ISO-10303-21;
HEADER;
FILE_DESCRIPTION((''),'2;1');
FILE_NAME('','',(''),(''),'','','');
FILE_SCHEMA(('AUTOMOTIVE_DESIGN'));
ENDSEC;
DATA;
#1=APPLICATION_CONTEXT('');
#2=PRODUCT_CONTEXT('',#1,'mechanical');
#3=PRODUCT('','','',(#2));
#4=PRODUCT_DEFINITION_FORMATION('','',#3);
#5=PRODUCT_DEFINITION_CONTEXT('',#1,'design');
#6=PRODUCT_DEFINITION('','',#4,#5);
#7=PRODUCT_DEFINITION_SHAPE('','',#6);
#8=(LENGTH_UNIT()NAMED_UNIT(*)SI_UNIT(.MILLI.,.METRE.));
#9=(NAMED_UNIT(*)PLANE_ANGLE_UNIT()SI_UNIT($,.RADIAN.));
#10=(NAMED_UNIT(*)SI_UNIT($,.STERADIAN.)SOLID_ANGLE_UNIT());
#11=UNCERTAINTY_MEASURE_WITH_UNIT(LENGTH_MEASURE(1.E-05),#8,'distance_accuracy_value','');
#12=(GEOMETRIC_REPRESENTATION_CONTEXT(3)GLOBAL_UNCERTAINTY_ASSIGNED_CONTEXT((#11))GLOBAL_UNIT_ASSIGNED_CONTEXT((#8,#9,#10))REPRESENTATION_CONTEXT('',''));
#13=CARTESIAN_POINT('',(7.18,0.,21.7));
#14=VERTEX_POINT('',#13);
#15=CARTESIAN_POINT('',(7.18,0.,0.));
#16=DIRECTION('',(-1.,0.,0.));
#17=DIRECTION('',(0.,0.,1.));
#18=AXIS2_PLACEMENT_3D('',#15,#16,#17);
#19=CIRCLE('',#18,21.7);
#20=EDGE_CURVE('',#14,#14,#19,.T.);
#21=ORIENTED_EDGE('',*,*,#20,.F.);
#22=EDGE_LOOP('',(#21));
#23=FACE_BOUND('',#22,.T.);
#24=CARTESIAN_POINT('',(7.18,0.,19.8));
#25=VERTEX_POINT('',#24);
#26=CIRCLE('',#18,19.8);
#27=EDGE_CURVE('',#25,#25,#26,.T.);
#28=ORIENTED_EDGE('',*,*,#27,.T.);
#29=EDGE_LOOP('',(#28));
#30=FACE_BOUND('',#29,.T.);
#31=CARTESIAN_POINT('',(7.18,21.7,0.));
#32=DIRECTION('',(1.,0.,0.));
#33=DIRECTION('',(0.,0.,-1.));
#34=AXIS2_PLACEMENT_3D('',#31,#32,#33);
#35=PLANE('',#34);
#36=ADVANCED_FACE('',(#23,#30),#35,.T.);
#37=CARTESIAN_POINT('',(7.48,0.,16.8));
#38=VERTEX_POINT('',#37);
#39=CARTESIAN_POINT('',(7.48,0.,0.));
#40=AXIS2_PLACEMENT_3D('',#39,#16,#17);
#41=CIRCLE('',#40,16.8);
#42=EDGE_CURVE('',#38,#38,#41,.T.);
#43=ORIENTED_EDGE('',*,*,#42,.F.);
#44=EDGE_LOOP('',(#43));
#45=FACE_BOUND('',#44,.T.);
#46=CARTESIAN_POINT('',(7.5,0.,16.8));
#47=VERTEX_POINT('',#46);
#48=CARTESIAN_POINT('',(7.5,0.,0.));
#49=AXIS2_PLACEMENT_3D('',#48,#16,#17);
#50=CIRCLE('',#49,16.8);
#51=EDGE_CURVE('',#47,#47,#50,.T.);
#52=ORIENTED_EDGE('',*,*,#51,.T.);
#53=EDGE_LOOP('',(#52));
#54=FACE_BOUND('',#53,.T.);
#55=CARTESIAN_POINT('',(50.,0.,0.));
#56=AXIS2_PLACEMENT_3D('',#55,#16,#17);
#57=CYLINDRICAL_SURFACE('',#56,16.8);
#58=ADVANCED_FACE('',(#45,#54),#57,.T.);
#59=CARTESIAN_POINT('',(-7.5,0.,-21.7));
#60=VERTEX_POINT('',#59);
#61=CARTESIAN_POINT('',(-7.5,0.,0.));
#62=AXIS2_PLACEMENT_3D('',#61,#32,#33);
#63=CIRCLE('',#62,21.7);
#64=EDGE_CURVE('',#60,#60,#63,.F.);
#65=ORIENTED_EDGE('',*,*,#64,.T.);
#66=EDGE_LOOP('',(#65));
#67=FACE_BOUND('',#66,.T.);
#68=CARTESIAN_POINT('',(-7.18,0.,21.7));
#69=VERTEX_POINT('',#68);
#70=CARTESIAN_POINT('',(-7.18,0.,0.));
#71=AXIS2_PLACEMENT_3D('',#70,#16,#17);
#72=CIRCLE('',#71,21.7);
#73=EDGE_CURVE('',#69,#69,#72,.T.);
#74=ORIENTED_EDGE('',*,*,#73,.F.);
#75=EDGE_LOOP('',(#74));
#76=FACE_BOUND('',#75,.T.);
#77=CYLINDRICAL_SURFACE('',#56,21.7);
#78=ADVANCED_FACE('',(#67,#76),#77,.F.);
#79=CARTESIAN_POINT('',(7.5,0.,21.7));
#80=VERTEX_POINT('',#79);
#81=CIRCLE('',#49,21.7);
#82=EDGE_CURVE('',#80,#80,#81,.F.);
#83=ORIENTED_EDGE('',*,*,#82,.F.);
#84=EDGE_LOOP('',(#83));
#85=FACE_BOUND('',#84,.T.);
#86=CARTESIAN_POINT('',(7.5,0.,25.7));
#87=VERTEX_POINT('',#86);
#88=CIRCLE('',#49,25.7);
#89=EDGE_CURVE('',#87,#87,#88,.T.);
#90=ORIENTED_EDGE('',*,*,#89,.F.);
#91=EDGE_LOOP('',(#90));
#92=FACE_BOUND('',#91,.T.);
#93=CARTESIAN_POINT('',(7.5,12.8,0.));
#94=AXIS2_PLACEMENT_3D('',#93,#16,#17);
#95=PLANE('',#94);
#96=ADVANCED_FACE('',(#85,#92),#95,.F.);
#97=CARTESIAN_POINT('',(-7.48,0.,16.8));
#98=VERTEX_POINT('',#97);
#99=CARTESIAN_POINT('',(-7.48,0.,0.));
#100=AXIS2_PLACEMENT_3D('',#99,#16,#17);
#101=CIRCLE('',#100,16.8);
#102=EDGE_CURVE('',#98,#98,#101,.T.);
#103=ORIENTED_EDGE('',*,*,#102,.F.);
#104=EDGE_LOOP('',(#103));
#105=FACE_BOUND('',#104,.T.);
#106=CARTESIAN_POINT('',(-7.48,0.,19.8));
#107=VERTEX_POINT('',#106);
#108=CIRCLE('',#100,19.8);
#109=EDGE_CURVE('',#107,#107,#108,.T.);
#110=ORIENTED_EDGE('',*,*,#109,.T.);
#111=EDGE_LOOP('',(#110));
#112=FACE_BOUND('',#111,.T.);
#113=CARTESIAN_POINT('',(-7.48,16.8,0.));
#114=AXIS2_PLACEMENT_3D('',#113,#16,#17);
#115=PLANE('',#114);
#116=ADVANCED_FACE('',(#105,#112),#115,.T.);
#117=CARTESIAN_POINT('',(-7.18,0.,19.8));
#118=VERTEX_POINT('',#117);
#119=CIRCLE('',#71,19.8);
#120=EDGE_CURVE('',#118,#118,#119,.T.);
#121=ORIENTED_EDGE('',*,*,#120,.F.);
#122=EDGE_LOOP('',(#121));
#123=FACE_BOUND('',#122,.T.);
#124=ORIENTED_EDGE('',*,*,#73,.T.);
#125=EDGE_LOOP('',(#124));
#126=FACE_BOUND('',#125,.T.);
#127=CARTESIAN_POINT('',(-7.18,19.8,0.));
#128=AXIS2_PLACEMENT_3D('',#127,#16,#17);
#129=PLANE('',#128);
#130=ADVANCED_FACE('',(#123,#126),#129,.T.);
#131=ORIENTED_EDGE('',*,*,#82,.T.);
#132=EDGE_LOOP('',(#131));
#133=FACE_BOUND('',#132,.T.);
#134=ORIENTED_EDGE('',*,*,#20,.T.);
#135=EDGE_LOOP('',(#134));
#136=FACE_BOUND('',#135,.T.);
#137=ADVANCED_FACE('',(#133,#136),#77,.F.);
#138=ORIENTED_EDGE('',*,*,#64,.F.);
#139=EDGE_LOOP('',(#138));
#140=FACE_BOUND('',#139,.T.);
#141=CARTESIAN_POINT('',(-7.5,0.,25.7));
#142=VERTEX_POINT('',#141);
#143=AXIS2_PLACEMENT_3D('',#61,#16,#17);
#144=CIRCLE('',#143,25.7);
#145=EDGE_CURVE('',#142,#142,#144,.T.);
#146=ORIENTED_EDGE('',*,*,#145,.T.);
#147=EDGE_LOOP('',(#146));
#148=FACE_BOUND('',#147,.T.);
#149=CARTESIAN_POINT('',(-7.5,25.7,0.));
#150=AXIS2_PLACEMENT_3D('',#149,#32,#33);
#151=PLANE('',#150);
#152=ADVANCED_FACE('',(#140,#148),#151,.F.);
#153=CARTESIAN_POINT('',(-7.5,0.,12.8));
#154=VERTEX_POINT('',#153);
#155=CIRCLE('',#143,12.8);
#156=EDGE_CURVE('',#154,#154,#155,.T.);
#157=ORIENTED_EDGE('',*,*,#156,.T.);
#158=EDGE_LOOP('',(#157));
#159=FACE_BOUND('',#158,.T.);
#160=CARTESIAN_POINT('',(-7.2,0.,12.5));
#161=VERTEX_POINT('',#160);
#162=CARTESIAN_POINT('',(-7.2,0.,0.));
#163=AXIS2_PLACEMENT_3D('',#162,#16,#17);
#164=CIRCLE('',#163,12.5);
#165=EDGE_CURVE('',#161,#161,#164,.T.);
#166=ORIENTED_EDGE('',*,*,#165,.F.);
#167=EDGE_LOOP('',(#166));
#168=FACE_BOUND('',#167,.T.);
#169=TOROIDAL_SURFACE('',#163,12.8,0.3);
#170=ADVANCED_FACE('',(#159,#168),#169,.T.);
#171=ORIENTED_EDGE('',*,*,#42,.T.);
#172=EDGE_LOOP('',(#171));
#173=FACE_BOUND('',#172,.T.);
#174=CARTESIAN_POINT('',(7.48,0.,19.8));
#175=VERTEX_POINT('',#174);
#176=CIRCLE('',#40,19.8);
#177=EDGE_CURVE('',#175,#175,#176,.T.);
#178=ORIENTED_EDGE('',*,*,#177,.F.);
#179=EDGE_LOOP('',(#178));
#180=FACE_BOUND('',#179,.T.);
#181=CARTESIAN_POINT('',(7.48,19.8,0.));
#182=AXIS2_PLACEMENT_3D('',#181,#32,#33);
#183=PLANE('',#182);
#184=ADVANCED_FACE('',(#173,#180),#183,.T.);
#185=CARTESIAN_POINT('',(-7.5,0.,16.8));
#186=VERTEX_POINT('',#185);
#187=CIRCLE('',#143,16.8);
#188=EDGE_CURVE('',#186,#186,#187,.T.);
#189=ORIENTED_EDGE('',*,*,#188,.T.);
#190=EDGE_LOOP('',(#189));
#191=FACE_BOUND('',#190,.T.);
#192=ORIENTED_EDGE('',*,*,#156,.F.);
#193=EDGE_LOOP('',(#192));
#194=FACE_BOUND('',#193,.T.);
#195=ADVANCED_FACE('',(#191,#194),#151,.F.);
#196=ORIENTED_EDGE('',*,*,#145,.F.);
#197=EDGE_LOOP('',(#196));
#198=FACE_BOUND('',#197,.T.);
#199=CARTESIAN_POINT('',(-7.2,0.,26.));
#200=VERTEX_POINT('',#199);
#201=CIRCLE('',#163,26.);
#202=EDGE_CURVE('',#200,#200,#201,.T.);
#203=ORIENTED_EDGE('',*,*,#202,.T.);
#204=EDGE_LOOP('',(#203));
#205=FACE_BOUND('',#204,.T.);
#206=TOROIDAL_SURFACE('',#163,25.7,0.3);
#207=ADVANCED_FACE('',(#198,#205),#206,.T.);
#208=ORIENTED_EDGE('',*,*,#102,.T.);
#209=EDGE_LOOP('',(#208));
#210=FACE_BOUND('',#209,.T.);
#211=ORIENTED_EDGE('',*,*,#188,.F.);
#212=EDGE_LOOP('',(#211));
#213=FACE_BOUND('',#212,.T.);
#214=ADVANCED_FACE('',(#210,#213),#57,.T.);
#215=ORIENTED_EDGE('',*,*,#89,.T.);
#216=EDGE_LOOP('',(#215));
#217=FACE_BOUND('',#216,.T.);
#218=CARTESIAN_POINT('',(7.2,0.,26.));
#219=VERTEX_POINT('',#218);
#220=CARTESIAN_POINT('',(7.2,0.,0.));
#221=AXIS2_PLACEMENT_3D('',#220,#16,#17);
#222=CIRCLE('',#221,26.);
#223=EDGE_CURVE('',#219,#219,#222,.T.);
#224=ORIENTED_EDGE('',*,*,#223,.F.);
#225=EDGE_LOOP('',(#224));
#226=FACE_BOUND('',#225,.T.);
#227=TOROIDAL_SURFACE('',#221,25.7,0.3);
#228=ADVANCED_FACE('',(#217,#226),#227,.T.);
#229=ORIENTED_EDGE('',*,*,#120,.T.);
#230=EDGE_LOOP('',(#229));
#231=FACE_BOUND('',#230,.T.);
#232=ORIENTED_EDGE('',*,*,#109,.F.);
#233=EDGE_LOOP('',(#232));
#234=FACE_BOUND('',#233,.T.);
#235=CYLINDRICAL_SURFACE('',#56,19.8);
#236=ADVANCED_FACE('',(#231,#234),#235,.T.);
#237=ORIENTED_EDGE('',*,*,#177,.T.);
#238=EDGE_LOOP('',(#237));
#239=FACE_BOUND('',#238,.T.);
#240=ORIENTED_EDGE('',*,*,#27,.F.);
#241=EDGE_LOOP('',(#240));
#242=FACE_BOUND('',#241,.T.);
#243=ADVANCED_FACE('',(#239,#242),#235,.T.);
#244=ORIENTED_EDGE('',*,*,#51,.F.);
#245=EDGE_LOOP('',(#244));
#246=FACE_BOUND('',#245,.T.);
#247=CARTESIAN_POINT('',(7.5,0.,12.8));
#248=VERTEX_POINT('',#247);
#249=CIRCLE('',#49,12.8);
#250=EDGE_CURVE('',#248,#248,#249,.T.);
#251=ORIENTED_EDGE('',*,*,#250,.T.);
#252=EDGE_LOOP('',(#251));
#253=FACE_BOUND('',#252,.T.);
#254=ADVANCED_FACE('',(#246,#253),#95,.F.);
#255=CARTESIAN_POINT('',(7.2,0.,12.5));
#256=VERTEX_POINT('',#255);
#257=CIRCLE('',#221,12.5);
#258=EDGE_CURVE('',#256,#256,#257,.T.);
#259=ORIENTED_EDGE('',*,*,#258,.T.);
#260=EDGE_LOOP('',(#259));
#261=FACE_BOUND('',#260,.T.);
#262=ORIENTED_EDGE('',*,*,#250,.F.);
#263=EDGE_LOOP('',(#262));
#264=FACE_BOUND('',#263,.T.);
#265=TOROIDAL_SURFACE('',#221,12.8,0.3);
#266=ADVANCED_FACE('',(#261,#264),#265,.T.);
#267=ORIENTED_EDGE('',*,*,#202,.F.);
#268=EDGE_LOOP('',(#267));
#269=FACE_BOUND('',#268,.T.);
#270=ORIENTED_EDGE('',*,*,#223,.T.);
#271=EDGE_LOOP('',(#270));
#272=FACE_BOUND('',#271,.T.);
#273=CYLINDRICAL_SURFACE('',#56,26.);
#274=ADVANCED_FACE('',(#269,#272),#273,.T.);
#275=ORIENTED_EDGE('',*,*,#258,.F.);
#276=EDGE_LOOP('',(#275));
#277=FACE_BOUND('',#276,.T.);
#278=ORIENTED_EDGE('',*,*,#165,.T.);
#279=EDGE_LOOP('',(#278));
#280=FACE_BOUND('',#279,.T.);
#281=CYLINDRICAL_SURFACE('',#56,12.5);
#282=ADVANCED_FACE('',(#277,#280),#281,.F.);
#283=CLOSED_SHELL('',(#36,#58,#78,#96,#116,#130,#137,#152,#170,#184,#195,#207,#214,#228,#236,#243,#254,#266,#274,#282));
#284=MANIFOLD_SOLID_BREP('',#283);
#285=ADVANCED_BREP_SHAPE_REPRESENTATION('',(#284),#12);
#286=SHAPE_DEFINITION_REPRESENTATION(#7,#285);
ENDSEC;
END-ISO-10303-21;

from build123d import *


with BuildPart() as part:
    # Sketch1 → Revolve1 (revolve)
    with BuildSketch(Plane.XY, mode=Mode.PRIVATE) as revolve1_sk:
        with BuildLine():
            Line((-7.2, 12.5), (7.2, 12.5))
            ThreePointArc((7.2, 12.5), (7.412132034, 12.587867966), (7.5, 12.8))
            Line((7.5, 12.8), (7.5, 25.7))
            ThreePointArc((7.5, 25.7), (7.412132034, 25.912132034), (7.2, 26))
            Line((7.2, 26), (-7.2, 26))
            ThreePointArc((-7.2, 26), (-7.412132034, 25.912132034), (-7.5, 25.7))
            Line((-7.5, 25.7), (-7.5, 12.8))
            ThreePointArc((-7.5, 12.8), (-7.412132034, 12.587867966), (-7.2, 12.5))
        make_face()
    revolve(revolve1_sk.sketch.rotate(Axis((50, 0, 0), (-1, 0, 0)), 270), axis=Axis((50, 0, 0), (-1, 0, 0)))

    # Sketch2 → Cut-Revolve1 (revolve, cut)
    with BuildSketch(Plane.XY, mode=Mode.PRIVATE) as cut_revolve1_sk:
        Polygon((-9.18, 21.7), (-9.18, 12.5), (-7.5, 12.5), (-7.5, 16.8), (-7.48, 16.8), (-7.48, 19.8), (-7.18, 19.8), (-7.18, 21.7), align=None)
    revolve(cut_revolve1_sk.sketch.rotate(Axis((50, 0, 0), (-1, 0, 0)), 270), axis=Axis((50, 0, 0), (-1, 0, 0)), mode=Mode.SUBTRACT)

    # Sketch3 → Cut-Revolve2 (revolve, cut)
    with BuildSketch(Plane.XY, mode=Mode.PRIVATE) as cut_revolve2_sk:
        Polygon((7.18, 19.8), (7.48, 19.8), (7.48, 16.8), (7.5, 16.8), (7.5, 12.5), (9.18, 12.5), (9.18, 21.7), (7.18, 21.7), align=None)
    revolve(cut_revolve2_sk.sketch.rotate(Axis((50, 0, 0), (-1, 0, 0)), 270), axis=Axis((50, 0, 0), (-1, 0, 0)), mode=Mode.SUBTRACT)


solid = part.part
